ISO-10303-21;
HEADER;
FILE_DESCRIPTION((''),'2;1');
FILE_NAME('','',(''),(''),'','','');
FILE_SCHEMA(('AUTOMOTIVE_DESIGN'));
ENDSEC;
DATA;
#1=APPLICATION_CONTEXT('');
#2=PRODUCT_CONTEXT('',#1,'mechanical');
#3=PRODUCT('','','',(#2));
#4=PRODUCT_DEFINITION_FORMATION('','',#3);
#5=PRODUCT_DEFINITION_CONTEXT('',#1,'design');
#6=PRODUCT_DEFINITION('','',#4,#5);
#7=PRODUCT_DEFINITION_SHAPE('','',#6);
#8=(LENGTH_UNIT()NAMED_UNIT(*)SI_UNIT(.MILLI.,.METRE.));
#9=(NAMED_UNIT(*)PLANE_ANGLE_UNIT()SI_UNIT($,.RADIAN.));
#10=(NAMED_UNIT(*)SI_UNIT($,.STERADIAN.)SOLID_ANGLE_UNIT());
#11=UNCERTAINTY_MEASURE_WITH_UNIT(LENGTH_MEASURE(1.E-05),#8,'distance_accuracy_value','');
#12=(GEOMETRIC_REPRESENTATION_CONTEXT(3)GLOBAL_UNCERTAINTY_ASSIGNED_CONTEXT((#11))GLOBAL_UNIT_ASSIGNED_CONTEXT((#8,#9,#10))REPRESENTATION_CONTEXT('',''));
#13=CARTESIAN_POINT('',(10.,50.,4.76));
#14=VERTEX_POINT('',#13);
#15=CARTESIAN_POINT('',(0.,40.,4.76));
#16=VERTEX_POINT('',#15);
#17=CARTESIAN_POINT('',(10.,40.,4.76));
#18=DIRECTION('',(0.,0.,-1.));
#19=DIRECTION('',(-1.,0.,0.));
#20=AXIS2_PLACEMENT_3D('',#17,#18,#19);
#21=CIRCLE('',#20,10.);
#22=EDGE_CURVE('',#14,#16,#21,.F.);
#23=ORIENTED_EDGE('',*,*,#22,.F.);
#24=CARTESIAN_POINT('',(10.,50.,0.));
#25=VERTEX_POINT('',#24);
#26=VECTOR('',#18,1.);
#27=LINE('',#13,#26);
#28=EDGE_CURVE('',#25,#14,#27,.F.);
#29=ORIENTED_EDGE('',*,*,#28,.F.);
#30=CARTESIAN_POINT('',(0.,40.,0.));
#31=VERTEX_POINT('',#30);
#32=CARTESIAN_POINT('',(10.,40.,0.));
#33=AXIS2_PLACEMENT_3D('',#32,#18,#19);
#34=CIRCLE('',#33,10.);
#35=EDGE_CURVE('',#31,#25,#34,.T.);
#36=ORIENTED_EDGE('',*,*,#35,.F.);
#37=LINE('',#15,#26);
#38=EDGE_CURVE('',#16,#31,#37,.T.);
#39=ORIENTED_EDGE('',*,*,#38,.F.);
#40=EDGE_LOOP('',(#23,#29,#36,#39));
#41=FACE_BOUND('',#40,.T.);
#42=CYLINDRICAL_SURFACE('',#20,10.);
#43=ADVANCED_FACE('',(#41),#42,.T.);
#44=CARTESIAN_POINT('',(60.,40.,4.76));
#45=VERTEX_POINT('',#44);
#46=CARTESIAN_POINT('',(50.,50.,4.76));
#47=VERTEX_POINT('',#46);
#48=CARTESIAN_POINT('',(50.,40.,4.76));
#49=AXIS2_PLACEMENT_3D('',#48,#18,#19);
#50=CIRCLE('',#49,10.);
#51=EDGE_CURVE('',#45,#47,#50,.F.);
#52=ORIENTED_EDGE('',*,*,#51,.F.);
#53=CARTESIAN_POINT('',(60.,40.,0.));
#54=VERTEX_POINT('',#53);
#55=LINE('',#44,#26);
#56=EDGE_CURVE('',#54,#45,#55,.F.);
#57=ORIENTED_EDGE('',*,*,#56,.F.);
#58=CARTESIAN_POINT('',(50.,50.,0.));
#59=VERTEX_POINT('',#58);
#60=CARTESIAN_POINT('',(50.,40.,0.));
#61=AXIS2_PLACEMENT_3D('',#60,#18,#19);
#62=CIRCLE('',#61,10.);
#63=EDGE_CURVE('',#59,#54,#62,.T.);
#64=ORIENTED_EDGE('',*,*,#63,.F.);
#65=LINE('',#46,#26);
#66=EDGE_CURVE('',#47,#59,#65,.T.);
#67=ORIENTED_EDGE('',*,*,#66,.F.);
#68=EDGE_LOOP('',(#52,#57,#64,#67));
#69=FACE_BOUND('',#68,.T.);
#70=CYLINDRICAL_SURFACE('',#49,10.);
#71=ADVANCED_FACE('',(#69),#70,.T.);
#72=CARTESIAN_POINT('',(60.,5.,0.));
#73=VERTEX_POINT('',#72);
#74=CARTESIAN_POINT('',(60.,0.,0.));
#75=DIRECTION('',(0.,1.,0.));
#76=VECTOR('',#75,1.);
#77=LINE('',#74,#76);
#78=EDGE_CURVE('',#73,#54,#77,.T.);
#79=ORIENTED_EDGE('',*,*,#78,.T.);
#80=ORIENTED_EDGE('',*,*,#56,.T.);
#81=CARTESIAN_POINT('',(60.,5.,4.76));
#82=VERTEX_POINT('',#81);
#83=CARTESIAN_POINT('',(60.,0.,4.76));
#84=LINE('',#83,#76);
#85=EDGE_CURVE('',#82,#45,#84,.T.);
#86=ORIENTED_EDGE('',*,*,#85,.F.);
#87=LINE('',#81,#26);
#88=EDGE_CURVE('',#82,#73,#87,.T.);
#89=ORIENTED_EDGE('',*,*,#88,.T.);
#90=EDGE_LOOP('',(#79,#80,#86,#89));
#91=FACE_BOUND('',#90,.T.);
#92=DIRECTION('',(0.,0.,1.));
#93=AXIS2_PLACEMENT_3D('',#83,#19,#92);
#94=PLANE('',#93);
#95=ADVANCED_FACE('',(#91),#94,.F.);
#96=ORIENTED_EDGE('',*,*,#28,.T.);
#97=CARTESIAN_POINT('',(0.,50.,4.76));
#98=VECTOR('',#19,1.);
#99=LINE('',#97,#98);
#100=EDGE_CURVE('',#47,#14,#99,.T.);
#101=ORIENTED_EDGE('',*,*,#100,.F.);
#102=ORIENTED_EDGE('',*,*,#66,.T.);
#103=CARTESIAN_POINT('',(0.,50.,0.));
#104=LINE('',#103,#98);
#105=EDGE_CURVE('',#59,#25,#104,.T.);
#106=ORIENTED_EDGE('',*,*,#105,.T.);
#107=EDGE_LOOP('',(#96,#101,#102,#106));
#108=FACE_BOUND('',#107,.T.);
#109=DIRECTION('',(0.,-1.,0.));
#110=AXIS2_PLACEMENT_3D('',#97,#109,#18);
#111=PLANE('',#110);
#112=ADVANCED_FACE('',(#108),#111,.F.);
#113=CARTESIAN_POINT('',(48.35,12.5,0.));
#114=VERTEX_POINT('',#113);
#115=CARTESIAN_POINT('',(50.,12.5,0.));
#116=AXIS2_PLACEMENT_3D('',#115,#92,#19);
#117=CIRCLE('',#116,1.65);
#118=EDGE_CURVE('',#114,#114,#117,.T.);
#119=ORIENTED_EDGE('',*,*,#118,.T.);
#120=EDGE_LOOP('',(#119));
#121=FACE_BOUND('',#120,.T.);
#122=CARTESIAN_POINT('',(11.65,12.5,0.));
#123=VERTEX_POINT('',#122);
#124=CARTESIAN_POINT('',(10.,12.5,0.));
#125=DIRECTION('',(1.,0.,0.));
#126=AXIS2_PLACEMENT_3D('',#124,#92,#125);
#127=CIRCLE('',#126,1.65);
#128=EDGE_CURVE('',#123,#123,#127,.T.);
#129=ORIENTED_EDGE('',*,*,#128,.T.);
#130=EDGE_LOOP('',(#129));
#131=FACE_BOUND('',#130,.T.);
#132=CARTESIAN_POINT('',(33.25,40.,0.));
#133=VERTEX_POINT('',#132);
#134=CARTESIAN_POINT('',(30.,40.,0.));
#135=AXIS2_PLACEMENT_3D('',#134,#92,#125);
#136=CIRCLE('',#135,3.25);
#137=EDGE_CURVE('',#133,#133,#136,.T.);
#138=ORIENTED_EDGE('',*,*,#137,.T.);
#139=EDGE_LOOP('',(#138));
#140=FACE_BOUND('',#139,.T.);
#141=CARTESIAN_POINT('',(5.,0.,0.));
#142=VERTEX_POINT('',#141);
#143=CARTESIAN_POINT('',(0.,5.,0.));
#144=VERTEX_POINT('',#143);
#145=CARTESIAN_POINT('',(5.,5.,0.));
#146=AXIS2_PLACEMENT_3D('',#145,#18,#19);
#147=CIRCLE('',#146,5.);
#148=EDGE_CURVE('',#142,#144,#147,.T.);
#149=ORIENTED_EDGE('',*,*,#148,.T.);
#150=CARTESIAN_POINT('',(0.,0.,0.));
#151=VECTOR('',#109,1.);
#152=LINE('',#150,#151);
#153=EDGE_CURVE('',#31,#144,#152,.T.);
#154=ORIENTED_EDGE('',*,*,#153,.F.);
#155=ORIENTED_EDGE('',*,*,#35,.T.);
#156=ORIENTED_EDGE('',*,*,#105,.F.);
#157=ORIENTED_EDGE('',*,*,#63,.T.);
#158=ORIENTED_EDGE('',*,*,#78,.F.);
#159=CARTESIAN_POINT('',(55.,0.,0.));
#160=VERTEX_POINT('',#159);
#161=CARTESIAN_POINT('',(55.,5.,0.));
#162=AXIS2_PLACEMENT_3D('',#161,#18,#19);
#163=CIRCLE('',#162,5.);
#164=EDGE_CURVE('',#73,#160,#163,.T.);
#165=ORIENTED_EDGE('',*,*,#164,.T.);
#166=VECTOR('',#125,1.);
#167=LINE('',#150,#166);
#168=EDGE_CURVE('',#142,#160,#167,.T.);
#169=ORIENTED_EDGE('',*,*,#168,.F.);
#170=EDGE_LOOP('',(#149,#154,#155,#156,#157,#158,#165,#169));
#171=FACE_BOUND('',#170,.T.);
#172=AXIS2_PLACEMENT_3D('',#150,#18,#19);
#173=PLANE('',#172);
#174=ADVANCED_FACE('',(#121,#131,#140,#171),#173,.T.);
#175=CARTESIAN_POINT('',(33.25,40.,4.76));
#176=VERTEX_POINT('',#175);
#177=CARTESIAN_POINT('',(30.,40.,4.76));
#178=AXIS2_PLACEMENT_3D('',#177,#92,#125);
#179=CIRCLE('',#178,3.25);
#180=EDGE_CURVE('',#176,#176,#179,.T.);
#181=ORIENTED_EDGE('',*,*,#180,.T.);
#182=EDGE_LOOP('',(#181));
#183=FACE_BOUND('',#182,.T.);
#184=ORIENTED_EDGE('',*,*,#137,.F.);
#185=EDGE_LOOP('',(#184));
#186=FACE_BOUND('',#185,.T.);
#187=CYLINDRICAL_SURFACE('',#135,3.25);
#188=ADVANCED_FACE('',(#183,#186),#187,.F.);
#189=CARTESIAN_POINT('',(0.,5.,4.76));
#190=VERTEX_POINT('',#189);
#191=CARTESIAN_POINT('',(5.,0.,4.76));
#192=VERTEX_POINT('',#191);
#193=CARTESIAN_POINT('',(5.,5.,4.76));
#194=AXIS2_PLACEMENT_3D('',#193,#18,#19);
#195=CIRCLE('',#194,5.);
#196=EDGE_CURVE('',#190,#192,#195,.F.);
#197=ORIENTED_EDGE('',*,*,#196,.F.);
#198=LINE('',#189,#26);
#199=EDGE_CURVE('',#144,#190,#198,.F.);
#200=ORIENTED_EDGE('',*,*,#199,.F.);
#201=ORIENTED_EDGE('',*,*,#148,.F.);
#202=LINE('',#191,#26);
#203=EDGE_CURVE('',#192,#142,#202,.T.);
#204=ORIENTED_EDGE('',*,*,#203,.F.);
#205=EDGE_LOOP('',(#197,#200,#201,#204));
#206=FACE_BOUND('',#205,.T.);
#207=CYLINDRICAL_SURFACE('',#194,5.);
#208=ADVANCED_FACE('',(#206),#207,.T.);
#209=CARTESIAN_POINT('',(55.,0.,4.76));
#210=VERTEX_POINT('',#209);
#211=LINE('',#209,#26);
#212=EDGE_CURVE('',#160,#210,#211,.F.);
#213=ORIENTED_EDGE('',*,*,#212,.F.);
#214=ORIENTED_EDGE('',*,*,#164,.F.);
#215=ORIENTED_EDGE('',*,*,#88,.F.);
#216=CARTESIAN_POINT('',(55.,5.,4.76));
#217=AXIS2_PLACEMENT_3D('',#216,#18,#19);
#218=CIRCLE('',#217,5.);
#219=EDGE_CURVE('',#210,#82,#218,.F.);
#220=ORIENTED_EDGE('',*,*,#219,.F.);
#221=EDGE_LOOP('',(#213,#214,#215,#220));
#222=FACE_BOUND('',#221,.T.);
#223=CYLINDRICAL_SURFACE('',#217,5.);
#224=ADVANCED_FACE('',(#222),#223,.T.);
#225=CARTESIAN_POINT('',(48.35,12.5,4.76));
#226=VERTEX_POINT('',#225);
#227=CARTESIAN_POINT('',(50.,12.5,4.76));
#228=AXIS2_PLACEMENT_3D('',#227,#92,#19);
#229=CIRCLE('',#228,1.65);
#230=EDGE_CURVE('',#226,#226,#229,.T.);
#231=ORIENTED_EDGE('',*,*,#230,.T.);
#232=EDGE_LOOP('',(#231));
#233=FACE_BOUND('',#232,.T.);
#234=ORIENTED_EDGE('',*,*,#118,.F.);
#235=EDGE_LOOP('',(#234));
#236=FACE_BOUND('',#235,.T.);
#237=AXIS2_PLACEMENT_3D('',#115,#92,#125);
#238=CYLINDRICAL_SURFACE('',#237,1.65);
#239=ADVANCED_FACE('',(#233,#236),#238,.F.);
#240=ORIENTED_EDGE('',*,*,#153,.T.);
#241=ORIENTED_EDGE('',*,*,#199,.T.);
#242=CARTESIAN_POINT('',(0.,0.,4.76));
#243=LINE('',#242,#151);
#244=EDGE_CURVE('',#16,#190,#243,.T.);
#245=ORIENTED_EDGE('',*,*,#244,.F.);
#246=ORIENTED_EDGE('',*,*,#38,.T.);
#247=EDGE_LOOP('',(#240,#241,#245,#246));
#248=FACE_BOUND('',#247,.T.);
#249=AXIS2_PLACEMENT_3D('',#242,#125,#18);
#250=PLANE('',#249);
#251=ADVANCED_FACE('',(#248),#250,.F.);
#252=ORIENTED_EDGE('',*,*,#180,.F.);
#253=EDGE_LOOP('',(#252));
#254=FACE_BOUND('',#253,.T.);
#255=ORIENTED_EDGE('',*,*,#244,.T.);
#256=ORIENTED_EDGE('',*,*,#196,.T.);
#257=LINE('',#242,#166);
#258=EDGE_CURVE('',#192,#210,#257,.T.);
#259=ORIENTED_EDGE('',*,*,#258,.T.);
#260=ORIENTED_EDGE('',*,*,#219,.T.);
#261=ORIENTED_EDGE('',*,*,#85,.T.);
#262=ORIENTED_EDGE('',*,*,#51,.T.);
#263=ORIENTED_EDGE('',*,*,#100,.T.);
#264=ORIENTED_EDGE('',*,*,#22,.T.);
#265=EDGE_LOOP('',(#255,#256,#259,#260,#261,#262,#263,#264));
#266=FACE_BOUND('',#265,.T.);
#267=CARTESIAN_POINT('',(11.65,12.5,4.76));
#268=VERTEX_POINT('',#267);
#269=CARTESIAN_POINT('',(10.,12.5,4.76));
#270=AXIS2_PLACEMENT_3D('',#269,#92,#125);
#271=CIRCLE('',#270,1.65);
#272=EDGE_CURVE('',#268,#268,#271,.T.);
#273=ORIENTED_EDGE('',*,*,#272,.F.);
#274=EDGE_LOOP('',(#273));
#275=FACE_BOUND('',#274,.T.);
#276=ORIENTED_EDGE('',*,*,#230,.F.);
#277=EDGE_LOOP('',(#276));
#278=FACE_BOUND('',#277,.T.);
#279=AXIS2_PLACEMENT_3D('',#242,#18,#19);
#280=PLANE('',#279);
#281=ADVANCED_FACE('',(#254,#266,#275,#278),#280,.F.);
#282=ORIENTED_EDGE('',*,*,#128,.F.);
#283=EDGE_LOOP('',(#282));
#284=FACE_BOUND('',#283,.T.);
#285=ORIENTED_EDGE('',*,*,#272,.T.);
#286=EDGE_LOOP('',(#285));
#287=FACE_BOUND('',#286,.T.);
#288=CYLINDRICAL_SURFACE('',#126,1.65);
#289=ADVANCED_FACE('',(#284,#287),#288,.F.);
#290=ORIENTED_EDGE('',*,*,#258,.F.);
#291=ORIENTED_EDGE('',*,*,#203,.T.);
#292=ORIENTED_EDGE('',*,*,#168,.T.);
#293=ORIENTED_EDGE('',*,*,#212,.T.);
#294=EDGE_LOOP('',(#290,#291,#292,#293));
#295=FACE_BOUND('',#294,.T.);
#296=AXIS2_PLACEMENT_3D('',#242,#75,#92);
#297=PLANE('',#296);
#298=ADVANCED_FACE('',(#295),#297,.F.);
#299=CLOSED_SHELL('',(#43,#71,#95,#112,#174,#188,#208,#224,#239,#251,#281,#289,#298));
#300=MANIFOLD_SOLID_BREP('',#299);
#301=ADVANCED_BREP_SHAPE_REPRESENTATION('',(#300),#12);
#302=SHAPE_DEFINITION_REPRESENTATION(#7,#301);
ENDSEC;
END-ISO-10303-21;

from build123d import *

# Parameters (mm, degrees)
SKETCH1_W           = 60
SKETCH1_H           = 50
BOSS_EXTRUDE1_DEPTH = 4.76
SKETCH2_R           = 1.65
SKETCH2_R_2         = 3.25
CUT_EXTRUDE1_DEPTH  = 5.76
FILLET1_R           = 10
FILLET2_R           = 5


with BuildPart() as part:
    # Sketch1 → Boss-Extrude1 (new body)
    with BuildSketch(Plane.XY):
        with Locations((30, 25)):
            Rectangle(SKETCH1_W, SKETCH1_H)
    extrude(amount=BOSS_EXTRUDE1_DEPTH)

    # Sketch2 → Cut-Extrude1 (cut, through all)
    with BuildSketch(Plane.XY.offset(4.76)):
        with Locations((10, 12.5)):
            Circle(SKETCH2_R)
        with Locations((50, 12.5)):
            Circle(SKETCH2_R)
        with Locations((30, 40)):
            Circle(SKETCH2_R_2)
    extrude(amount=-CUT_EXTRUDE1_DEPTH, mode=Mode.SUBTRACT)

    # Fillet1
    fillet1_edges = [part.edges().sort_by_distance(p)[0] for p in [
        (0, 50, 2.38),
        (60, 50, 2.38),
    ]]
    fillet(fillet1_edges, radius=FILLET1_R)

    # Fillet2
    fillet2_edges = [part.edges().sort_by_distance(p)[0] for p in [
        (60, 0, 2.38),
        (0, 0, 2.38),
    ]]
    fillet(fillet2_edges, radius=FILLET2_R)


solid = part.part
